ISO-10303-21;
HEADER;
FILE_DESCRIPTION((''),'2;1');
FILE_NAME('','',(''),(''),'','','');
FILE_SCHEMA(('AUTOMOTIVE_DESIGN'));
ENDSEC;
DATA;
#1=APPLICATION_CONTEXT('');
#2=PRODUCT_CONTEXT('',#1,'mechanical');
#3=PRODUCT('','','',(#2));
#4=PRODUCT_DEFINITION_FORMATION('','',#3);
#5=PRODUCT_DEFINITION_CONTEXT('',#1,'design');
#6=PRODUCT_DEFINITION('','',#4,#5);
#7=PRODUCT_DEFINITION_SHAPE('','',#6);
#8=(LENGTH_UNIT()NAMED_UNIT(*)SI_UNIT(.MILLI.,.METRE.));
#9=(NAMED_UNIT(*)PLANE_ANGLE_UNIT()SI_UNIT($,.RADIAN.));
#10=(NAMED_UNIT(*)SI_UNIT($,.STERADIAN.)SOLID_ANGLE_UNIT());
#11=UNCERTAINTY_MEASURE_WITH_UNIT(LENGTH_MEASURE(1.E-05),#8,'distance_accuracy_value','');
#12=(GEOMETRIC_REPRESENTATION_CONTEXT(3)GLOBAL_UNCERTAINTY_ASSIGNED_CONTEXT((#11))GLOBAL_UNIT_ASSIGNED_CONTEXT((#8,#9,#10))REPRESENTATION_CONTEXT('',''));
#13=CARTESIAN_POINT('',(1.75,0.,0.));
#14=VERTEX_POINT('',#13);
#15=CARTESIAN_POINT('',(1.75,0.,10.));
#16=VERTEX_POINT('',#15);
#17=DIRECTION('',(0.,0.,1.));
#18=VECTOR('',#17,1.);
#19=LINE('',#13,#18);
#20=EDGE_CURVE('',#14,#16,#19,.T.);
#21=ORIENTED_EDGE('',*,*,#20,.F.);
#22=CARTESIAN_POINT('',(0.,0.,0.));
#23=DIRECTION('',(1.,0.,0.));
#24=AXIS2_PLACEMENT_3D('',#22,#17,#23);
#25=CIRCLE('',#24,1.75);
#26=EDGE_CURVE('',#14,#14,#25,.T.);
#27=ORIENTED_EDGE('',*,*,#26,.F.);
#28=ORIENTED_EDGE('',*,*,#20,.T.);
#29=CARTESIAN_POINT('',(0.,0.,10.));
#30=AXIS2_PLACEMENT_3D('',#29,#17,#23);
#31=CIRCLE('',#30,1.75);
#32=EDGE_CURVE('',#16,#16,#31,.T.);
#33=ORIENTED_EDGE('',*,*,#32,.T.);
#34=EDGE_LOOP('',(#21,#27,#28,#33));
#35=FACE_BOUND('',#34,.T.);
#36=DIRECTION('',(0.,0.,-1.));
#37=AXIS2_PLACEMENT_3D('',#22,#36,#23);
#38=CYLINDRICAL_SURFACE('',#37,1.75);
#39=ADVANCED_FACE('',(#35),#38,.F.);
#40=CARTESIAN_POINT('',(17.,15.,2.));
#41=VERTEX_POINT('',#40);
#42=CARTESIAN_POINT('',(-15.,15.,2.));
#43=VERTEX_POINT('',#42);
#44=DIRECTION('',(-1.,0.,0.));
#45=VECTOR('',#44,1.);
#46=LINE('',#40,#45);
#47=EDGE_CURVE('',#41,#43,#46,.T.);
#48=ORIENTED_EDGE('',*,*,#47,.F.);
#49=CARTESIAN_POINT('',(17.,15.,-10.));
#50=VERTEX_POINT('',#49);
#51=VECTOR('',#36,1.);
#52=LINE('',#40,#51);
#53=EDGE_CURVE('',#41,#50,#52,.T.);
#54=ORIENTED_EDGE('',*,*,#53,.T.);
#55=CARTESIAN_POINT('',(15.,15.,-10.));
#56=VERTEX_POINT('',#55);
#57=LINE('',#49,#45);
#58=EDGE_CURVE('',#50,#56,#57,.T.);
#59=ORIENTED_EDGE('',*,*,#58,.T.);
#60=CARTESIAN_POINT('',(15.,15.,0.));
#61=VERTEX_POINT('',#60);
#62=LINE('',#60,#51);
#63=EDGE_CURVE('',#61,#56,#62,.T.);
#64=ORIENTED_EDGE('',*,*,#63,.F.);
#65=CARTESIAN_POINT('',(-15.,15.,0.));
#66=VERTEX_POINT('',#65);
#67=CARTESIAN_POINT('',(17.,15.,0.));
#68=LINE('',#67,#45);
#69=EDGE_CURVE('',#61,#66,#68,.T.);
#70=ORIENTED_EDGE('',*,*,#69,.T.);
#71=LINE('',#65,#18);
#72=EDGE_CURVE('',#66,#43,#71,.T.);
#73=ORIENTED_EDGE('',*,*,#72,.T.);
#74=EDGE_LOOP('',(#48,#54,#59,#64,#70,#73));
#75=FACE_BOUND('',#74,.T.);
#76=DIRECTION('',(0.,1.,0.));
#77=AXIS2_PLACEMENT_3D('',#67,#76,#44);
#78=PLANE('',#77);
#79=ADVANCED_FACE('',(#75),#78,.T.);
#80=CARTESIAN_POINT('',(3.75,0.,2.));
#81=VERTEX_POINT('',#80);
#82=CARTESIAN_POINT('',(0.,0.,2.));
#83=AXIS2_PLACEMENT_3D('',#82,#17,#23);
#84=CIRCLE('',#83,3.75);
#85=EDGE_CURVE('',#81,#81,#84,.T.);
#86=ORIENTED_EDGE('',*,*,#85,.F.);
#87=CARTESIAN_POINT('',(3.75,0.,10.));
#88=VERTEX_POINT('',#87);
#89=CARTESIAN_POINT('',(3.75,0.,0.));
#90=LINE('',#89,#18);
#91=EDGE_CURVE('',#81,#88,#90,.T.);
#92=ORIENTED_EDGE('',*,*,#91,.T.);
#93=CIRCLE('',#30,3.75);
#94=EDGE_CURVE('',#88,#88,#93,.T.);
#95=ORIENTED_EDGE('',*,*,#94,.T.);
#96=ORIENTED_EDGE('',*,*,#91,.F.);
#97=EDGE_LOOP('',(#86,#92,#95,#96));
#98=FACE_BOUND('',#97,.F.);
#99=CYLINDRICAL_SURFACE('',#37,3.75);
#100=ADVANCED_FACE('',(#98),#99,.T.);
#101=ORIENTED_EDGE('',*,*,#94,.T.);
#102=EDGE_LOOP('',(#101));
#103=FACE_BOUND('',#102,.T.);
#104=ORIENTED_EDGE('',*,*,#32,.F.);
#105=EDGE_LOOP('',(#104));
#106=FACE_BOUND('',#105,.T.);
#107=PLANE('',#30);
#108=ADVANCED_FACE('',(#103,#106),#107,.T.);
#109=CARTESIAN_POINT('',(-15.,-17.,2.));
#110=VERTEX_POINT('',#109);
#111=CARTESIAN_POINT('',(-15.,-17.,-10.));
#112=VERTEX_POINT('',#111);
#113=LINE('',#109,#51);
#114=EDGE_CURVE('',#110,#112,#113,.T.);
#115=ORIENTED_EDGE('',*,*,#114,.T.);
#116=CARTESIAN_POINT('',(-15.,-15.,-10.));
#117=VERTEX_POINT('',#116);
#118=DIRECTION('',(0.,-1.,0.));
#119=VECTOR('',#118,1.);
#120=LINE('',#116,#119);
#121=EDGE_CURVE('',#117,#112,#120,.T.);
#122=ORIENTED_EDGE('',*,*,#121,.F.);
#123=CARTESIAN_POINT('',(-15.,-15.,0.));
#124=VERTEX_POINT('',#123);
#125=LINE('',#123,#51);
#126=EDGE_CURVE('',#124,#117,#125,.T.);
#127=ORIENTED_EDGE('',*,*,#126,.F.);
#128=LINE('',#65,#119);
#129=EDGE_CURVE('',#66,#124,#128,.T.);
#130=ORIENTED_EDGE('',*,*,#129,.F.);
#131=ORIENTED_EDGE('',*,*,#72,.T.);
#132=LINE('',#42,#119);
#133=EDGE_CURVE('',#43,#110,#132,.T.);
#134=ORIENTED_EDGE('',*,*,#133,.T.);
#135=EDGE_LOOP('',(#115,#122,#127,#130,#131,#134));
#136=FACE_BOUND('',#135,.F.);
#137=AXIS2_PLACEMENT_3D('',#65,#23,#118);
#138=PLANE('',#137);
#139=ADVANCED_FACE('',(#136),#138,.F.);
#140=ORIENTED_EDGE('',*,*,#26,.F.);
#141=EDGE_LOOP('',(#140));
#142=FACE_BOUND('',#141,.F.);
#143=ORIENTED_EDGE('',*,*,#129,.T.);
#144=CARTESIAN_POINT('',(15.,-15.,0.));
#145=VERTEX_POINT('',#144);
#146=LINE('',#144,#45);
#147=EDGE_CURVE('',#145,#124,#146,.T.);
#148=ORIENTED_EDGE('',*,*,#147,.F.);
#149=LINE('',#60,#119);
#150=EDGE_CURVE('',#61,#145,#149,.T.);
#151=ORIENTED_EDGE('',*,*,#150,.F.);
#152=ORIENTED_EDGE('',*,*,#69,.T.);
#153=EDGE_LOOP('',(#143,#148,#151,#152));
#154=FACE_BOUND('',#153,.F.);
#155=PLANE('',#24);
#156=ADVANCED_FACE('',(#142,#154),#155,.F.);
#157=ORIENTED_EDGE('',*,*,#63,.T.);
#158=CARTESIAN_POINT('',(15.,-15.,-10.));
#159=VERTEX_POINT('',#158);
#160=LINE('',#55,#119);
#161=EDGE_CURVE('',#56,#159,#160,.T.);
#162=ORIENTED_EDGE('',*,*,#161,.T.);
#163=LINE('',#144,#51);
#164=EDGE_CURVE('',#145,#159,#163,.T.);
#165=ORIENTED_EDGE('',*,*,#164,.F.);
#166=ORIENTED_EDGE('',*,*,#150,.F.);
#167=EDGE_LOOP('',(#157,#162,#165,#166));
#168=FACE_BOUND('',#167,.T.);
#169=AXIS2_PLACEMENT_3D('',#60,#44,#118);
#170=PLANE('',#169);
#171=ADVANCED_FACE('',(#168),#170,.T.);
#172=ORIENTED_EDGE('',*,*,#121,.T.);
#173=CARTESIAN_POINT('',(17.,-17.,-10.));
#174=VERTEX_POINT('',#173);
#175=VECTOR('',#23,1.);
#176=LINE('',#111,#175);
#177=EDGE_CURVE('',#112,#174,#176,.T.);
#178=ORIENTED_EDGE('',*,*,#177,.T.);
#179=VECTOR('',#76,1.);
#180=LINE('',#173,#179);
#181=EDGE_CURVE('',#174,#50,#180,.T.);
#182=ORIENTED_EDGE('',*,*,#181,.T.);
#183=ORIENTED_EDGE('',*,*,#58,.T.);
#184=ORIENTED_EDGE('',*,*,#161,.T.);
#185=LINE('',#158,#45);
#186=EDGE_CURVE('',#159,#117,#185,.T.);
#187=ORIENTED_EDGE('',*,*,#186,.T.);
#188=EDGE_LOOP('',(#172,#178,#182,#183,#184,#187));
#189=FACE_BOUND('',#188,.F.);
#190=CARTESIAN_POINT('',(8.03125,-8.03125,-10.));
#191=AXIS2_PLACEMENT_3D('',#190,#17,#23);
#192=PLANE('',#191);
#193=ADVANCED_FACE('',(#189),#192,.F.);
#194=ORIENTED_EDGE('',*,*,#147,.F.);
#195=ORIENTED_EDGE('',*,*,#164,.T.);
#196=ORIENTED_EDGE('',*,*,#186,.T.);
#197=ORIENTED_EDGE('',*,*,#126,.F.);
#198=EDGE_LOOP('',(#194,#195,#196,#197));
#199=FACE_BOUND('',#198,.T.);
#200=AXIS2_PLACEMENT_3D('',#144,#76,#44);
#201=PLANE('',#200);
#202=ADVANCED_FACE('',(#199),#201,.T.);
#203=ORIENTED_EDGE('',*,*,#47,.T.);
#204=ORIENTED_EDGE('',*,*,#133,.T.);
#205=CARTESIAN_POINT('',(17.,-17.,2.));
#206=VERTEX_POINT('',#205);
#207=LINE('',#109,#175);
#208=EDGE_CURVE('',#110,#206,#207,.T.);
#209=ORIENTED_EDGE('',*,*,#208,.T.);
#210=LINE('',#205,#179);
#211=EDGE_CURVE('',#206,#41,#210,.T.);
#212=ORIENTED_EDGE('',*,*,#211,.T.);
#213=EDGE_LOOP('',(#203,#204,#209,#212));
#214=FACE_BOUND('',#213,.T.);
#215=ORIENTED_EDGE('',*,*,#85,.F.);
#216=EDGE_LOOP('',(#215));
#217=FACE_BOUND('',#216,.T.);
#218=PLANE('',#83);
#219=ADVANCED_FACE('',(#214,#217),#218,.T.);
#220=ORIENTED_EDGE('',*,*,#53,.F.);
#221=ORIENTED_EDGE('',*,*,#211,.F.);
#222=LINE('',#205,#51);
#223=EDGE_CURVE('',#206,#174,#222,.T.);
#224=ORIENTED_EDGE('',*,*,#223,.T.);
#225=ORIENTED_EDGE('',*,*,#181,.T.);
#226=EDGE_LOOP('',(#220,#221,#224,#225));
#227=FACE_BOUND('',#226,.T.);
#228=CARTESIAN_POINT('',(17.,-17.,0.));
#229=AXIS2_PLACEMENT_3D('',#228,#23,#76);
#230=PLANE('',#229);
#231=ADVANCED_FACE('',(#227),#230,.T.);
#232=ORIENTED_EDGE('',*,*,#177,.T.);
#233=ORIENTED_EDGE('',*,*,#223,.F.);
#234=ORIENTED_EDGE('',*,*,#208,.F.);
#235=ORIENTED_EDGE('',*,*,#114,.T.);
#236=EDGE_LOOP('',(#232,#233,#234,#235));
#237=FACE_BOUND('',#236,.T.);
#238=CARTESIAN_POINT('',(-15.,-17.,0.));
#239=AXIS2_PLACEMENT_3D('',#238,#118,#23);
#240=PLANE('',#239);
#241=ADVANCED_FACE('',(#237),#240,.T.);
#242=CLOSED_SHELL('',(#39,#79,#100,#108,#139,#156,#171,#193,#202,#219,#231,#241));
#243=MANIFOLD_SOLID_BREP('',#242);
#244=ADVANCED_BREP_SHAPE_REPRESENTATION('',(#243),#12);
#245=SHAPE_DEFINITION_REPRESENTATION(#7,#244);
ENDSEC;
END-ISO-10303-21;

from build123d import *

# Parameters (mm, degrees)
F0_R     = 3.75
F0_R_2   = 1.75
F1_DEPTH = 10
F0_W     = 30
F0_H     = 30
F2_DEPTH = 2
F3_DEPTH = 10


with BuildPart() as f1:
    # F0 (on Top) → F1 (new body)
    with BuildSketch(Plane.XY):
        Circle(F0_R)
        Circle(F0_R_2, mode=Mode.SUBTRACT)
    extrude(amount=F1_DEPTH)

    # F0 (on Top) → F2 (join)
    with BuildSketch(Plane.XY):
        Rectangle(F0_W, F0_H)
        Circle(F0_R, mode=Mode.SUBTRACT)
        Polygon((17, 15), (15, 15), (15, -15), (-15, -15), (-15, -17), (17, -17), align=None)
    extrude(amount=F2_DEPTH)

    # F0 (on Top) → F3 (join)
    with BuildSketch(Plane.XY):
        Polygon((17, 15), (15, 15), (15, -15), (-15, -15), (-15, -17), (17, -17), align=None)
    extrude(amount=-F3_DEPTH)


solid = f1.part
